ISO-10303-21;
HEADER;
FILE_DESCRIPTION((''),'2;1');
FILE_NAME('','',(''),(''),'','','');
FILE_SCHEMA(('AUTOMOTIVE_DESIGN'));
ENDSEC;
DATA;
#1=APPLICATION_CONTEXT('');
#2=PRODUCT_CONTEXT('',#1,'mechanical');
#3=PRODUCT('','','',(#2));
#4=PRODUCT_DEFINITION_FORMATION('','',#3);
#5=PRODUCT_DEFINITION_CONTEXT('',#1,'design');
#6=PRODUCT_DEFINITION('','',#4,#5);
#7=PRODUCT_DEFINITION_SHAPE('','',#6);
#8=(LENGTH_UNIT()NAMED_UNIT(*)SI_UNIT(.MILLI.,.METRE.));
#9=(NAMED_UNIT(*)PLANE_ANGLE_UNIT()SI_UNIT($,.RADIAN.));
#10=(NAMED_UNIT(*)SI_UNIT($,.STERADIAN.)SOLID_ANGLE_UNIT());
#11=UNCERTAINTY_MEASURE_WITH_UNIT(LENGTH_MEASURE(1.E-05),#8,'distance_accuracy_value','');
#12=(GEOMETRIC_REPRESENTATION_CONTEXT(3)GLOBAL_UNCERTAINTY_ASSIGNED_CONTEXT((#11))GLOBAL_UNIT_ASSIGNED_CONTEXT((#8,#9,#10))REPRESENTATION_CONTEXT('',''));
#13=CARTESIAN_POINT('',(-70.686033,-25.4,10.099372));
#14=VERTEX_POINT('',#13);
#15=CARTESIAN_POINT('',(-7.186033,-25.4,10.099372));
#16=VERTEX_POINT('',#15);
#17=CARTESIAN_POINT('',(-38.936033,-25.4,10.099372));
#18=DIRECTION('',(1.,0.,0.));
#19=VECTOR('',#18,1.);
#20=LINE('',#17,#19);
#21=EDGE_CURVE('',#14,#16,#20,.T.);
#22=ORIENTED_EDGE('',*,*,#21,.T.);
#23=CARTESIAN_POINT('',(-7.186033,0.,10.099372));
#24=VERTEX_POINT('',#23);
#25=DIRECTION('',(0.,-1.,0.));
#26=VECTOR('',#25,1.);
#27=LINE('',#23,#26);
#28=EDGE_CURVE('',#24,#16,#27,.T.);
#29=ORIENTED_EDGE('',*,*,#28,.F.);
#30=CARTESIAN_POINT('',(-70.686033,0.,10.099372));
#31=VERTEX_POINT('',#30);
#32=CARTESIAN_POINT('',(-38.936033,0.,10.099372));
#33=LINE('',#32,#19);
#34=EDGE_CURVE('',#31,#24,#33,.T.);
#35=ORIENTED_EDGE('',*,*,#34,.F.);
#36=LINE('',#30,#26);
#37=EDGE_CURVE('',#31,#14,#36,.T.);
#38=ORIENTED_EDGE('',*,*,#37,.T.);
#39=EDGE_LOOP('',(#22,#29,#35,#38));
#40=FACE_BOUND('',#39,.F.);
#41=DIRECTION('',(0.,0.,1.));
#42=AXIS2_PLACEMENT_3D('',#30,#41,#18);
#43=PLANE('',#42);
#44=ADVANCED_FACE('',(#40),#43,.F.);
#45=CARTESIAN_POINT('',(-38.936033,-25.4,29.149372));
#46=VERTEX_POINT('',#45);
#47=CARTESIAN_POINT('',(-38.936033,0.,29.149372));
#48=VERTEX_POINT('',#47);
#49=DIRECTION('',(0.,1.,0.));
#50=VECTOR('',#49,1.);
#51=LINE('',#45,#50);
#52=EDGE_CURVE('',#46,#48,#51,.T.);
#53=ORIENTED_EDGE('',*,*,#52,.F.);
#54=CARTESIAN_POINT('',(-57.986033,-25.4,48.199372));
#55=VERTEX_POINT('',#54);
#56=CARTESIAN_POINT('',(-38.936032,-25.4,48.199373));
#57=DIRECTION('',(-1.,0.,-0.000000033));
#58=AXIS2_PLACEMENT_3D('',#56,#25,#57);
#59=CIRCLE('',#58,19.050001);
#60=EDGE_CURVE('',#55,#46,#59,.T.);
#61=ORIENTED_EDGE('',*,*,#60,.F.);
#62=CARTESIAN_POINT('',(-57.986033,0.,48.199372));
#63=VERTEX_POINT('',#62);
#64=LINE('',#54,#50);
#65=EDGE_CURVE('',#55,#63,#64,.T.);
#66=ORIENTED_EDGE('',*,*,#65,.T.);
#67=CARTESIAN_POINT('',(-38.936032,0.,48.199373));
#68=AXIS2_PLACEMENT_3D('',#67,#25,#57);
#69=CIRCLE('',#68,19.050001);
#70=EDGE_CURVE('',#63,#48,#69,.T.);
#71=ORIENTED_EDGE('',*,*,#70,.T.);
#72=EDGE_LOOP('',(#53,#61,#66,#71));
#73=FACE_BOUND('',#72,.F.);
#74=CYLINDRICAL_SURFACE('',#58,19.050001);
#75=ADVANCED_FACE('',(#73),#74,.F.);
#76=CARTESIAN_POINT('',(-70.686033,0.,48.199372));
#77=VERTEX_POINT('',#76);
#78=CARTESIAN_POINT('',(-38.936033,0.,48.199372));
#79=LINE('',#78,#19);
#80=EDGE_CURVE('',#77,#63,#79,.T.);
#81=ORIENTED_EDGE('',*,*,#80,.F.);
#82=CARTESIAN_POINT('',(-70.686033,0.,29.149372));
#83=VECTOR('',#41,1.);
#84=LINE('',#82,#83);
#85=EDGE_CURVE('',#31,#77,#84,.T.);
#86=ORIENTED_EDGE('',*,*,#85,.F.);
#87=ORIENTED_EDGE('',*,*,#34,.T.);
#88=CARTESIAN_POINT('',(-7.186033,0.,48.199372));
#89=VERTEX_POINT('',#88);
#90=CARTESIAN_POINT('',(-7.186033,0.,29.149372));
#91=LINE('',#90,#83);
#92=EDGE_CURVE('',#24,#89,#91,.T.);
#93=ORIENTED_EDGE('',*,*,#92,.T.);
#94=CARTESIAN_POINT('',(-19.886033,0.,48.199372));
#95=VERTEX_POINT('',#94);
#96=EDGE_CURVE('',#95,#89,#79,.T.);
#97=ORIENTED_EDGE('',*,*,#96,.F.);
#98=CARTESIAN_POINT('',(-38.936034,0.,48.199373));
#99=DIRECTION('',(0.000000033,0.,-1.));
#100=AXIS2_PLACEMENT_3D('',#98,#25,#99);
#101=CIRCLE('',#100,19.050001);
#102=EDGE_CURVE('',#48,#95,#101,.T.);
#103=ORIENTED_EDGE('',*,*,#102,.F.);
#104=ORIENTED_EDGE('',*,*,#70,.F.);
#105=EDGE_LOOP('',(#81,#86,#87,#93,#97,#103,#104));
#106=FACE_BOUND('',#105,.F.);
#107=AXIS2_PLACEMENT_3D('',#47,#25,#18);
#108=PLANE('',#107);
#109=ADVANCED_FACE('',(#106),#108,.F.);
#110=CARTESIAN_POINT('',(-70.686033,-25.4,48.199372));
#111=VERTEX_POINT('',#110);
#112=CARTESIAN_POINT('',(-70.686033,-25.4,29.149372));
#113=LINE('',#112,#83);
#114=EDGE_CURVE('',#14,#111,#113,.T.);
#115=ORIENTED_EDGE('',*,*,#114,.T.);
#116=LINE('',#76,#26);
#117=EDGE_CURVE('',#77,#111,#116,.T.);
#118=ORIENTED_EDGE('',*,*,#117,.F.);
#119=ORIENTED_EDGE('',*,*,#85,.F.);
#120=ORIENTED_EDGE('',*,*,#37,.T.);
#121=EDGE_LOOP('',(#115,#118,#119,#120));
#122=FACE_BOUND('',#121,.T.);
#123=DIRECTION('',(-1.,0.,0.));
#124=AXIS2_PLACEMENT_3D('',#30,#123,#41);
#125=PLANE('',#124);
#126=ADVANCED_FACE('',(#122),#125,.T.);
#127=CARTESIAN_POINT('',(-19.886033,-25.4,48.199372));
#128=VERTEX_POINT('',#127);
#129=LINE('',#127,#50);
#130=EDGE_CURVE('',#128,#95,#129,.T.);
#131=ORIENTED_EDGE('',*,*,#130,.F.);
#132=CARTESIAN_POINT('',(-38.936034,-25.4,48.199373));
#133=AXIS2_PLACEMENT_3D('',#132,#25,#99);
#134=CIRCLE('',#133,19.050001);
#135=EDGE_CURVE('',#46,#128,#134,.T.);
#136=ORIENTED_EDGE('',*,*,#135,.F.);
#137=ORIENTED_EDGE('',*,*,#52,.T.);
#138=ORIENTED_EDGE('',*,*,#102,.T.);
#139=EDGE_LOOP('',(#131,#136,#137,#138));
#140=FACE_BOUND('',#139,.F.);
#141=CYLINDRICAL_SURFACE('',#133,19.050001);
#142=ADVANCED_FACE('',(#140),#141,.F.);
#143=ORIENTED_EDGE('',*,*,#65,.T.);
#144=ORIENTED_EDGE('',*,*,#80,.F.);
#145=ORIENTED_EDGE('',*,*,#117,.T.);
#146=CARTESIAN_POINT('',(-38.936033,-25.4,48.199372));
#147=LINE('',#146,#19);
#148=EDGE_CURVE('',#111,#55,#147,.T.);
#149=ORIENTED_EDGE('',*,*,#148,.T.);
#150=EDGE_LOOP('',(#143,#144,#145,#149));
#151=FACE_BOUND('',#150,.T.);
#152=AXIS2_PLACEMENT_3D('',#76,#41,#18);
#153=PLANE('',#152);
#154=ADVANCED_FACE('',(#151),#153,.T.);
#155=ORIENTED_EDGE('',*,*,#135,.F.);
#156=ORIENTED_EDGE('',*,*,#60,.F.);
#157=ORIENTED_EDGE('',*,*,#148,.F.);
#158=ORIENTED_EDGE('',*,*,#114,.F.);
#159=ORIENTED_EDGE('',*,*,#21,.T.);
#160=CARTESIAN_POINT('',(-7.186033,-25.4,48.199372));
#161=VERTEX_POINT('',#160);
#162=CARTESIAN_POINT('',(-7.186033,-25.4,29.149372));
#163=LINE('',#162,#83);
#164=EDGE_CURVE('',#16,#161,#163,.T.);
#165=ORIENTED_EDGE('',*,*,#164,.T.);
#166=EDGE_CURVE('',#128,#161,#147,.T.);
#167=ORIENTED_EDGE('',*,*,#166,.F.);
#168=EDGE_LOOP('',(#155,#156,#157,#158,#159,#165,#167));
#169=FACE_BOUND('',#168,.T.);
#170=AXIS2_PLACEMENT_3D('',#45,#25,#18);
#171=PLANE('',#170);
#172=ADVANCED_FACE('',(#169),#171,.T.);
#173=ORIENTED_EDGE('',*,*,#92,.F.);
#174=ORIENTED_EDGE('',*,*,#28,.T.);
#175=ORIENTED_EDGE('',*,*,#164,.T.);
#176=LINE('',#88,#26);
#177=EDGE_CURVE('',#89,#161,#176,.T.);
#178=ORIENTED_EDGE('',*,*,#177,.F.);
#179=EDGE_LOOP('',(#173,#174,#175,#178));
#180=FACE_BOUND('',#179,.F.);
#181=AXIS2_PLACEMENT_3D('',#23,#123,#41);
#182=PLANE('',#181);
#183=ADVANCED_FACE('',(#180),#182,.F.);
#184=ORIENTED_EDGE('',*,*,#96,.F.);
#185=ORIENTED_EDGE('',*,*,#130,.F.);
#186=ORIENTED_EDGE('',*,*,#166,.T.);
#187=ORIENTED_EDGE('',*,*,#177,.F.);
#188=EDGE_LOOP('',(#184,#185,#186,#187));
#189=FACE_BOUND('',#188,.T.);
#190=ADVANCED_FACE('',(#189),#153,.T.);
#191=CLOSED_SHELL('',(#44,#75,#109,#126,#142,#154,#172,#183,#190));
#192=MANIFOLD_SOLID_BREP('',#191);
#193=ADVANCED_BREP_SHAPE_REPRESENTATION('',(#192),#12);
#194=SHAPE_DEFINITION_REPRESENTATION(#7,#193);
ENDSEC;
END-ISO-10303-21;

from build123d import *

# Parameters (mm, degrees)
F0_W     = 63.5
F0_H     = 38.1
F1_DEPTH = 25.4
F3_DEPTH = 25.401


with BuildPart() as f1:
    # F0 (on Front) → F1 (new body)
    with BuildSketch(Plane.XZ):
        with Locations((-38.936033, 29.149372)):
            Rectangle(F0_W, F0_H)
    extrude(amount=F1_DEPTH)

    # F2 (on face) → F3 (cut, through all)
    with BuildSketch(Plane.XZ.offset(25.4)):
        with BuildLine():
            Line((-19.886033, 48.199372), (-57.986033, 48.199372))
            ThreePointArc((-57.986033, 48.199372), (-52.406417, 34.728988), (-38.936033, 29.149372))
            ThreePointArc((-38.936033, 29.149372), (-25.465649, 34.728988), (-19.886033, 48.199372))
        make_face()
    extrude(amount=-F3_DEPTH, mode=Mode.SUBTRACT)


solid = f1.part
